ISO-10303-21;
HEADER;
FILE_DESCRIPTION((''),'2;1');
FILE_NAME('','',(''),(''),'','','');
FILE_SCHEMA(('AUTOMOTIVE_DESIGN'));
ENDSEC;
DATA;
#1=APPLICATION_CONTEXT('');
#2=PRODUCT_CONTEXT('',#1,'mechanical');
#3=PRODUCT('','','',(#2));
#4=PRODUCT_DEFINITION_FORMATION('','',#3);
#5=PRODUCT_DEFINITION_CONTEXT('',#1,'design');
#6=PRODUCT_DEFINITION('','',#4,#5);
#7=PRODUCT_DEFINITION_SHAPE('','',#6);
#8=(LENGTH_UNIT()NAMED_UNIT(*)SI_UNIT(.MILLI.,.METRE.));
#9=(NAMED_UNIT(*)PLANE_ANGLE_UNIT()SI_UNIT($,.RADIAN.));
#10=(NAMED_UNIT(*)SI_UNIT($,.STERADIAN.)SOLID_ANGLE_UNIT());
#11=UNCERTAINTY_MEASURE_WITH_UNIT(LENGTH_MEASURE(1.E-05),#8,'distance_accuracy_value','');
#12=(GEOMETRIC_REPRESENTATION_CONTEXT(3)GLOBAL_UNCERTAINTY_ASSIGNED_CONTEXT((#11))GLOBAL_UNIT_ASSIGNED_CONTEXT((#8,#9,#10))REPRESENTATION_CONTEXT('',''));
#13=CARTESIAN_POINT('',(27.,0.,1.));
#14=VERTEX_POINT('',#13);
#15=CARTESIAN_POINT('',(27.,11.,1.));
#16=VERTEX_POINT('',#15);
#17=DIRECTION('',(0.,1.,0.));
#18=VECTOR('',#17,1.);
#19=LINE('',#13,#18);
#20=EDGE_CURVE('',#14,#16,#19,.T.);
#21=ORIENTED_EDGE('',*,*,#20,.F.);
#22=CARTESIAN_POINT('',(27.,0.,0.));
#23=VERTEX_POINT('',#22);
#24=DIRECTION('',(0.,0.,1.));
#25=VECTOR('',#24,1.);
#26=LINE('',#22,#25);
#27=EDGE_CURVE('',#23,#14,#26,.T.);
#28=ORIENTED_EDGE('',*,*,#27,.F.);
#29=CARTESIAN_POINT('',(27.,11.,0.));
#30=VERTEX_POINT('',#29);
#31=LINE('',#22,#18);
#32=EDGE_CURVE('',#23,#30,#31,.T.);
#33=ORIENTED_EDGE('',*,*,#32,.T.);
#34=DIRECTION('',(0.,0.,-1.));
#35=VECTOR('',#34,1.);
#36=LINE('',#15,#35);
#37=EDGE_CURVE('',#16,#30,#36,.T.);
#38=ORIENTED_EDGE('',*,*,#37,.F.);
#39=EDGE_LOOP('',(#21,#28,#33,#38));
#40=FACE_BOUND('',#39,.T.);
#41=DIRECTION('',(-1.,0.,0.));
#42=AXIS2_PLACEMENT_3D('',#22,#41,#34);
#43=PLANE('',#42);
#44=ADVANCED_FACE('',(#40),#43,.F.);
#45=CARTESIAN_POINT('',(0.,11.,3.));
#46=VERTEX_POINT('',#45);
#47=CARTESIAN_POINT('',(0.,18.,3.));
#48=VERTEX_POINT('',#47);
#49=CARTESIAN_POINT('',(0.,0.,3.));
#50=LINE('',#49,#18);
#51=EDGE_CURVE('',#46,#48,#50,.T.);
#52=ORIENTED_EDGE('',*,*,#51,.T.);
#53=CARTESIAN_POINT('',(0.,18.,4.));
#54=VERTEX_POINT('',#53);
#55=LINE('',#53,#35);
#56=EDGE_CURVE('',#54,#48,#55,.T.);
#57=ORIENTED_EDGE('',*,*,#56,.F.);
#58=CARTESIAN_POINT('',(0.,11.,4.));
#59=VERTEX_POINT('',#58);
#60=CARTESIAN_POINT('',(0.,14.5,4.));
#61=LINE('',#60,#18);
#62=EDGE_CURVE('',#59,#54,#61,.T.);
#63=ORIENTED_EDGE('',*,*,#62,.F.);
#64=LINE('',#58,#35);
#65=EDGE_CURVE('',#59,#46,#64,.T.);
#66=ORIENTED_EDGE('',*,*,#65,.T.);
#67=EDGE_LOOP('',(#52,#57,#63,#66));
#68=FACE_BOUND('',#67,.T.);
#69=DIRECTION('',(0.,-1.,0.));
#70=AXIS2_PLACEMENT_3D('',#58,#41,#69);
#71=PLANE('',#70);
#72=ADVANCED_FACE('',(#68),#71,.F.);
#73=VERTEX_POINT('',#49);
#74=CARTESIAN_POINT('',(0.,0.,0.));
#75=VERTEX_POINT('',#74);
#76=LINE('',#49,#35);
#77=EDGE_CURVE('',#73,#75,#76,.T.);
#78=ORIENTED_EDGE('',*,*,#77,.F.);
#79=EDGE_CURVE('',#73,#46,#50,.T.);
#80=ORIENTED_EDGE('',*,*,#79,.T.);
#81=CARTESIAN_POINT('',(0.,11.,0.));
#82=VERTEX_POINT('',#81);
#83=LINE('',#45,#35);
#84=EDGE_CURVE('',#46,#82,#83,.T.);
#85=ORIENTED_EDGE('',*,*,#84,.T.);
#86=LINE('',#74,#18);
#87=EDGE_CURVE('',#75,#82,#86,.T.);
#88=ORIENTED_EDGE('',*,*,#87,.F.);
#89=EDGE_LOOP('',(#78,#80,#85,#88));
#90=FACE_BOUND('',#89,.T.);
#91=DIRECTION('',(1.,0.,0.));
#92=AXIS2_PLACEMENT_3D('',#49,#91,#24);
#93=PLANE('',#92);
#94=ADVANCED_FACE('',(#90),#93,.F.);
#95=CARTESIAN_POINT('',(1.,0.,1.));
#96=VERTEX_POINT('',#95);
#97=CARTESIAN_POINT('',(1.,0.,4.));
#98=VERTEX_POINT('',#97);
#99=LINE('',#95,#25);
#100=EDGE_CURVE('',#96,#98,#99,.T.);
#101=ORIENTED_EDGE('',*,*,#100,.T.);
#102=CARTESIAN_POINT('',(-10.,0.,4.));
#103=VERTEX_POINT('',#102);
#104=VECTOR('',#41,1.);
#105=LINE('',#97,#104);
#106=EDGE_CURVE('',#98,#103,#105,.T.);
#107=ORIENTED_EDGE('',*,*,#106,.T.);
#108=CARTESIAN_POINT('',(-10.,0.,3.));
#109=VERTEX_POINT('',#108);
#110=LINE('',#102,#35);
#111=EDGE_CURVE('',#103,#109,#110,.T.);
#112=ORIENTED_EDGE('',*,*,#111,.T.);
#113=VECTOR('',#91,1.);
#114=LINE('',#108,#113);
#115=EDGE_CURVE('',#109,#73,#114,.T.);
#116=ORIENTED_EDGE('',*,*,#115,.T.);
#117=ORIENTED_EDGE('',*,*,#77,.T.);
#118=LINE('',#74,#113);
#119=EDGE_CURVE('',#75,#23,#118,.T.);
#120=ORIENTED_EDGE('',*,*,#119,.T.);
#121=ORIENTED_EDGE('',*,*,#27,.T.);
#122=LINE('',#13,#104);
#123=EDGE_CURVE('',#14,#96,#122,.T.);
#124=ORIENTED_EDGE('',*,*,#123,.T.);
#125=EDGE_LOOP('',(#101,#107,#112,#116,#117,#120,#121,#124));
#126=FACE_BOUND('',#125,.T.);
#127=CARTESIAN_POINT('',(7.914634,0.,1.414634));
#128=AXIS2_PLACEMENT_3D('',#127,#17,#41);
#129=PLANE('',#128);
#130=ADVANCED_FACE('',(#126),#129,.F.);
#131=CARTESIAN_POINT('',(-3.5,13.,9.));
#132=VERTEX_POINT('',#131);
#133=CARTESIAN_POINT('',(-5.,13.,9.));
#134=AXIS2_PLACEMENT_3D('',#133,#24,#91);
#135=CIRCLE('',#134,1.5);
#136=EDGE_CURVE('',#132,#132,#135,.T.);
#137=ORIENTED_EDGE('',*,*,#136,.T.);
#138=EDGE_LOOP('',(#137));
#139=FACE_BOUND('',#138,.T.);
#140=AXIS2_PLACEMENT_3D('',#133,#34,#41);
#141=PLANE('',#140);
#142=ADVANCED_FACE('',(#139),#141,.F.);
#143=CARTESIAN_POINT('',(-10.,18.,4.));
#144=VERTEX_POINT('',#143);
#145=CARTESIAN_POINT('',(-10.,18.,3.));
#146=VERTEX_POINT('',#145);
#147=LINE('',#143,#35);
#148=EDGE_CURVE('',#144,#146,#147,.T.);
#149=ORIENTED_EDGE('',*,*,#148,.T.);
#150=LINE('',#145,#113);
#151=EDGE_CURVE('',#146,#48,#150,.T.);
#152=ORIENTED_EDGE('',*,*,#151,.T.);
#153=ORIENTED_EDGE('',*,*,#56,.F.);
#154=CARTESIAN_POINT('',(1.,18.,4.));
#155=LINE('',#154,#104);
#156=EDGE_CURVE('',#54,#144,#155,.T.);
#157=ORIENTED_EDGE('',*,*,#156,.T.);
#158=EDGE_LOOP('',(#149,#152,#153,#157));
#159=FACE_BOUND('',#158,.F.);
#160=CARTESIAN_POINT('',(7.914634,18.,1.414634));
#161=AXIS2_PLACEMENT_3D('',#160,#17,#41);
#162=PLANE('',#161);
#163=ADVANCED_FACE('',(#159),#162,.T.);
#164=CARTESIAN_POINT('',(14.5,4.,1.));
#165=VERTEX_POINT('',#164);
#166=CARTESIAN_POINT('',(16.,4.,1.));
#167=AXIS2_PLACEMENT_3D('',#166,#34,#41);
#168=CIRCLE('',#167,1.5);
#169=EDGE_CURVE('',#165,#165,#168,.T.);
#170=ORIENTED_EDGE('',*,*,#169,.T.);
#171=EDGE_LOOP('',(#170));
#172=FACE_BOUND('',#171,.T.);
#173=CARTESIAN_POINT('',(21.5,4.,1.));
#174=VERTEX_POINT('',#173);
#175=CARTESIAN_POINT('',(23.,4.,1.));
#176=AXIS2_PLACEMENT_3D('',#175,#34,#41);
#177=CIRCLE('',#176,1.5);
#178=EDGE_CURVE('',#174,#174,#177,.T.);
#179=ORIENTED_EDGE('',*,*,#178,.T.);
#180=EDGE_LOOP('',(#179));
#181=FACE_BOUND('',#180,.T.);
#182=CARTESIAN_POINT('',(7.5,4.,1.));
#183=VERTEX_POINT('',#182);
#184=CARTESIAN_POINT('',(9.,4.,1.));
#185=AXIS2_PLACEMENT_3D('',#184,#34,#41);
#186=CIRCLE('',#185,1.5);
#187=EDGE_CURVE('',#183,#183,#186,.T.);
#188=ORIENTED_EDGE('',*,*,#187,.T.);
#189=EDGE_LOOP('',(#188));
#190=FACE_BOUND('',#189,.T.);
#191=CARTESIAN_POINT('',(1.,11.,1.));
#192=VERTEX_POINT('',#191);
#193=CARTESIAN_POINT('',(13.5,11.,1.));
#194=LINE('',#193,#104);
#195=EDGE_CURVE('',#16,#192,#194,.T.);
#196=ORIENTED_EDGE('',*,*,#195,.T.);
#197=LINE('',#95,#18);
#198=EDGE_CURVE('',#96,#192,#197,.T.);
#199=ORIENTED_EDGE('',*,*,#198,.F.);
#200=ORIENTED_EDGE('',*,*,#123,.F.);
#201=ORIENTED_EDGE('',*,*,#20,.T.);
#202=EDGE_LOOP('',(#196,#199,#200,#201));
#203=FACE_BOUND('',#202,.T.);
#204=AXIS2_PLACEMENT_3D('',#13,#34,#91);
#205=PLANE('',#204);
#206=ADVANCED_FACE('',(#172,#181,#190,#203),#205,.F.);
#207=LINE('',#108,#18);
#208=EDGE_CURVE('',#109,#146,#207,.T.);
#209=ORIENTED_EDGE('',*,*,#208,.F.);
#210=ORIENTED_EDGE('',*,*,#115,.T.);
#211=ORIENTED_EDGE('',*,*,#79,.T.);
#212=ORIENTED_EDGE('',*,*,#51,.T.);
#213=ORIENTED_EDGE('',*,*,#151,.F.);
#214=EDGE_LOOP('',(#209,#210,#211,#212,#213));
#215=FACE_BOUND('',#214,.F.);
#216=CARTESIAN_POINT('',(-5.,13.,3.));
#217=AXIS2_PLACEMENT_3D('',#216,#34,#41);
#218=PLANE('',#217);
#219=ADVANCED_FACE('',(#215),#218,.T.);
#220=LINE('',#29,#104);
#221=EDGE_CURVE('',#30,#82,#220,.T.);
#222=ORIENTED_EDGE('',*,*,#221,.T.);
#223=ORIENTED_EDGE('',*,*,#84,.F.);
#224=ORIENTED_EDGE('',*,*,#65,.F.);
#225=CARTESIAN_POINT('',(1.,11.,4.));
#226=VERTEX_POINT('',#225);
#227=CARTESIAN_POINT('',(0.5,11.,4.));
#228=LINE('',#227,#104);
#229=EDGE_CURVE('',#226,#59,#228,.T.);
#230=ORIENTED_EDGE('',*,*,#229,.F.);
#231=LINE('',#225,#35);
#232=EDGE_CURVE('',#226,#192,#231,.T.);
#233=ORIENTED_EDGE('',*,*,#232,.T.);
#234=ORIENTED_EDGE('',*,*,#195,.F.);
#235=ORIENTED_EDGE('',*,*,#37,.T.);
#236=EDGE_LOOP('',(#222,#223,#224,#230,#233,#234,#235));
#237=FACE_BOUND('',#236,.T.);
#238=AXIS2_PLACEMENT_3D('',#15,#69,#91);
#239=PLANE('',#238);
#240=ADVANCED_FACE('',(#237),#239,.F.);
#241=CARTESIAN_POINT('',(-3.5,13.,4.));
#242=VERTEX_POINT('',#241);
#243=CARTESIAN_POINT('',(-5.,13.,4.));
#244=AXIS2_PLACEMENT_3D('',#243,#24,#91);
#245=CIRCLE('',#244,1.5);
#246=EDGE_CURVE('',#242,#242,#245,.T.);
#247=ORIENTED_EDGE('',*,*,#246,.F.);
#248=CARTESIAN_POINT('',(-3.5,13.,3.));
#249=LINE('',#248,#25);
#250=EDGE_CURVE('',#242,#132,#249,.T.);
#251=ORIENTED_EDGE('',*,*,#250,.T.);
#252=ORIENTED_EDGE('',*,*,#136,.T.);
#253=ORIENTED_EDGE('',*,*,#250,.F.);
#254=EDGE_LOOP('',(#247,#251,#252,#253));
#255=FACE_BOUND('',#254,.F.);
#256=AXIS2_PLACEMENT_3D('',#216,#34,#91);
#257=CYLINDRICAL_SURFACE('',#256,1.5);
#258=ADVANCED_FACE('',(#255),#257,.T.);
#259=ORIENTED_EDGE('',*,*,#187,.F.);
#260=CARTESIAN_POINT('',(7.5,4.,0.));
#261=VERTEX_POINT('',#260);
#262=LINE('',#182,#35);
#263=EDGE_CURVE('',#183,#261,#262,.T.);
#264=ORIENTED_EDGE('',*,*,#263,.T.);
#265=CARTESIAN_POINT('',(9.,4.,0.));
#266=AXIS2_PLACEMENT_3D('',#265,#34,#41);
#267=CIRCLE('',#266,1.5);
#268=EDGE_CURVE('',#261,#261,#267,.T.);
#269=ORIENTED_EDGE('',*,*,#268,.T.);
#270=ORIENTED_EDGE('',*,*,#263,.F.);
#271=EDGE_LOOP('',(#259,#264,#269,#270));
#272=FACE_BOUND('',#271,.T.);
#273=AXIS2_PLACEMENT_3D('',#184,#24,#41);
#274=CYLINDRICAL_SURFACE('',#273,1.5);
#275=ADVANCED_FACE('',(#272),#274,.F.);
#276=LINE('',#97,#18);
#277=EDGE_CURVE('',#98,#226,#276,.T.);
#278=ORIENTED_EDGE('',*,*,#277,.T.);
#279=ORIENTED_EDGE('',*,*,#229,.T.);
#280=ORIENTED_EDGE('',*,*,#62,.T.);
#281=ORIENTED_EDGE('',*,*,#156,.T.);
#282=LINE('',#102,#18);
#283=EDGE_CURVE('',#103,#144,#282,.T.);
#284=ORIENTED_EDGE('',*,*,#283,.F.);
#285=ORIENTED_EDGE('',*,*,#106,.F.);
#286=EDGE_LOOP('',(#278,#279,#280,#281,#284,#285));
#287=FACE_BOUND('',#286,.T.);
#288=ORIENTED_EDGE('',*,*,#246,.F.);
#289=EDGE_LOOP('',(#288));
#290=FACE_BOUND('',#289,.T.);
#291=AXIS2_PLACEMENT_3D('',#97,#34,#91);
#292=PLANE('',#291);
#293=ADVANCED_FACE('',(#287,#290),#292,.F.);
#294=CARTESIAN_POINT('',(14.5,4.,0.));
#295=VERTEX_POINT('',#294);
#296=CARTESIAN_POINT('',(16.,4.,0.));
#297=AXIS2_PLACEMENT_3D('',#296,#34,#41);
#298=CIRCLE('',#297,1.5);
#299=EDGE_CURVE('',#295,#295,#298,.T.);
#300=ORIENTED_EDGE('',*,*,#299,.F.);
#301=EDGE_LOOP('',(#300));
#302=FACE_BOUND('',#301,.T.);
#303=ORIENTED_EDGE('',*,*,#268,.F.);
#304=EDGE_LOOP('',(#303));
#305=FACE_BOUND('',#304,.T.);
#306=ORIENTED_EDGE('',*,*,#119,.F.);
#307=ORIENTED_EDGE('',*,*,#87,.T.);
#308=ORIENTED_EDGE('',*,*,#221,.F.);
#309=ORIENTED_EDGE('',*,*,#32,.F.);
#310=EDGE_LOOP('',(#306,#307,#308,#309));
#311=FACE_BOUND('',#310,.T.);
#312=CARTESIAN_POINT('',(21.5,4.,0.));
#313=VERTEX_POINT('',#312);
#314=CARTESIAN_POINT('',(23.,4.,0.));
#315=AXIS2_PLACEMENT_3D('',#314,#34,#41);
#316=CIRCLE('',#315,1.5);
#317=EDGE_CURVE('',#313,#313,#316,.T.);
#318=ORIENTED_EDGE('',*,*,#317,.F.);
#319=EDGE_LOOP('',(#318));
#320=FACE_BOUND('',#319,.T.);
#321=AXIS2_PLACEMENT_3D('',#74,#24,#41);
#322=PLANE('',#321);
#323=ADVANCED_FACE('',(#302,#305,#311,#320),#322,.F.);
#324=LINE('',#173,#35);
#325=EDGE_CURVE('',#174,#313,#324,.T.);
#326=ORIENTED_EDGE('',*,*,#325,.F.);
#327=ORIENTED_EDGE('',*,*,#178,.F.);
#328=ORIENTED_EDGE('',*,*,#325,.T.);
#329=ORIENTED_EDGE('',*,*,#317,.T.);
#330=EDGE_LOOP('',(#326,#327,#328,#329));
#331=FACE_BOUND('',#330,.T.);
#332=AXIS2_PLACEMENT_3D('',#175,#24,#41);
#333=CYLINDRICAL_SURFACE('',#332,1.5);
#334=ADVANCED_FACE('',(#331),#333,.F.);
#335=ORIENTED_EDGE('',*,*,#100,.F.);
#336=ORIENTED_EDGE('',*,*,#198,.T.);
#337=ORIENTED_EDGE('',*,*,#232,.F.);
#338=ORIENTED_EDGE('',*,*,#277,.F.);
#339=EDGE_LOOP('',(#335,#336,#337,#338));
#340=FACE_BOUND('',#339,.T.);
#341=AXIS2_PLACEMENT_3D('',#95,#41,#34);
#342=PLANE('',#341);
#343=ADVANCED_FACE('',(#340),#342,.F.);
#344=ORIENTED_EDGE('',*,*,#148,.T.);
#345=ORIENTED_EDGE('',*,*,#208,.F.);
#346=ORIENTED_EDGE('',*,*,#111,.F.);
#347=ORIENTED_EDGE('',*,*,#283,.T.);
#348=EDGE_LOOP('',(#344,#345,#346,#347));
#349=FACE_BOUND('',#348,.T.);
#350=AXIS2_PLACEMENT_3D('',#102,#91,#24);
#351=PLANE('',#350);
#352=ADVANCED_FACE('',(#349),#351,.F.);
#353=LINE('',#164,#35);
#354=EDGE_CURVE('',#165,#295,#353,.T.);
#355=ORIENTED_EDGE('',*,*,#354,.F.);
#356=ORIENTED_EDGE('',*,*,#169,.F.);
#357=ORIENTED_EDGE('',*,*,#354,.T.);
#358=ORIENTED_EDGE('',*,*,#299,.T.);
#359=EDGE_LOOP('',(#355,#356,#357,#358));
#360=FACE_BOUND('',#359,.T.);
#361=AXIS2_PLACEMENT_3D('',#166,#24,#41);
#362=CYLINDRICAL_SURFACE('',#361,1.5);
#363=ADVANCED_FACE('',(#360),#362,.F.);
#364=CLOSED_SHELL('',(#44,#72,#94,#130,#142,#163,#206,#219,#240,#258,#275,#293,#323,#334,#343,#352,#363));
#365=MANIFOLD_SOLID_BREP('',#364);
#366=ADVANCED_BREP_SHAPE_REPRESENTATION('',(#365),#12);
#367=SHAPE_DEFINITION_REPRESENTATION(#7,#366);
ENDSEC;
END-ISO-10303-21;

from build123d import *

# Parameters (mm, degrees)
PAD_DEPTH       = 18
SKETCH001_W     = 27
SKETCH001_H     = 7
POCKET_DEPTH    = 10
SKETCH002_W     = 1
SKETCH002_H     = 7
POCKET001_DEPTH = 4.001
SKETCH003_R     = 1.5
POCKET002_DEPTH = 1.001
SKETCH004_R     = 1.5
PAD001_DEPTH    = 6


with BuildPart() as body:
    # Sketch → Pad (new body)
    with BuildSketch(Plane.XZ):
        Polygon((0, 0), (27, 0), (27, 1), (1, 1), (1, 4), (-10, 4), (-10, 3), (0, 3), align=None)
    extrude(amount=PAD_DEPTH)

    # Sketch001 (on Face3 of Pad) → Pocket (cut)
    with BuildSketch(Plane(origin=(0, 0, 1), x_dir=(-1, 0, 0), z_dir=(0, 0, 1))):
        with Locations((-13.5, 14.5)):
            Rectangle(SKETCH001_W, SKETCH001_H)
    extrude(amount=-POCKET_DEPTH, mode=Mode.SUBTRACT)

    # Sketch002 (on Face8 of Pocket) → Pocket001 (cut, through all)
    with BuildSketch(Plane(origin=(0, 0, 4), x_dir=(-1, 0, 0), z_dir=(0, 0, 1))):
        with Locations((-0.5, 14.5)):
            Rectangle(SKETCH002_W, SKETCH002_H)
    extrude(amount=-POCKET001_DEPTH, mode=Mode.SUBTRACT)

    # Sketch003 (on Face7 of Pocket001) → Pocket002 (cut, through all)
    with BuildSketch(Plane(origin=(0, 0, 1), x_dir=(-1, 0, 0), z_dir=(0, 0, 1))):
        with Locations((-23, 4)):
            Circle(SKETCH003_R)
        with Locations((-16, 4)):
            Circle(SKETCH003_R)
        with Locations((-9, 4)):
            Circle(SKETCH003_R)
    extrude(amount=-POCKET002_DEPTH, mode=Mode.SUBTRACT)

    # Sketch004 (on Face14 of Pocket002) → Pad001 (join)
    with BuildSketch(Plane(origin=(0, 0, 3), x_dir=(1, 0, 0), z_dir=(0, 0, -1))):
        with Locations((-5, 13)):
            Circle(SKETCH004_R)
    extrude(amount=-PAD001_DEPTH)


with BuildPart() as part_mirroring:
    # Part__Mirroring: instance of Body
    add(body.part.mirror(Plane(origin=(0, 0, 0), x_dir=(1, 0, 0), z_dir=(0, 1, 0))))


solid = part_mirroring.part
